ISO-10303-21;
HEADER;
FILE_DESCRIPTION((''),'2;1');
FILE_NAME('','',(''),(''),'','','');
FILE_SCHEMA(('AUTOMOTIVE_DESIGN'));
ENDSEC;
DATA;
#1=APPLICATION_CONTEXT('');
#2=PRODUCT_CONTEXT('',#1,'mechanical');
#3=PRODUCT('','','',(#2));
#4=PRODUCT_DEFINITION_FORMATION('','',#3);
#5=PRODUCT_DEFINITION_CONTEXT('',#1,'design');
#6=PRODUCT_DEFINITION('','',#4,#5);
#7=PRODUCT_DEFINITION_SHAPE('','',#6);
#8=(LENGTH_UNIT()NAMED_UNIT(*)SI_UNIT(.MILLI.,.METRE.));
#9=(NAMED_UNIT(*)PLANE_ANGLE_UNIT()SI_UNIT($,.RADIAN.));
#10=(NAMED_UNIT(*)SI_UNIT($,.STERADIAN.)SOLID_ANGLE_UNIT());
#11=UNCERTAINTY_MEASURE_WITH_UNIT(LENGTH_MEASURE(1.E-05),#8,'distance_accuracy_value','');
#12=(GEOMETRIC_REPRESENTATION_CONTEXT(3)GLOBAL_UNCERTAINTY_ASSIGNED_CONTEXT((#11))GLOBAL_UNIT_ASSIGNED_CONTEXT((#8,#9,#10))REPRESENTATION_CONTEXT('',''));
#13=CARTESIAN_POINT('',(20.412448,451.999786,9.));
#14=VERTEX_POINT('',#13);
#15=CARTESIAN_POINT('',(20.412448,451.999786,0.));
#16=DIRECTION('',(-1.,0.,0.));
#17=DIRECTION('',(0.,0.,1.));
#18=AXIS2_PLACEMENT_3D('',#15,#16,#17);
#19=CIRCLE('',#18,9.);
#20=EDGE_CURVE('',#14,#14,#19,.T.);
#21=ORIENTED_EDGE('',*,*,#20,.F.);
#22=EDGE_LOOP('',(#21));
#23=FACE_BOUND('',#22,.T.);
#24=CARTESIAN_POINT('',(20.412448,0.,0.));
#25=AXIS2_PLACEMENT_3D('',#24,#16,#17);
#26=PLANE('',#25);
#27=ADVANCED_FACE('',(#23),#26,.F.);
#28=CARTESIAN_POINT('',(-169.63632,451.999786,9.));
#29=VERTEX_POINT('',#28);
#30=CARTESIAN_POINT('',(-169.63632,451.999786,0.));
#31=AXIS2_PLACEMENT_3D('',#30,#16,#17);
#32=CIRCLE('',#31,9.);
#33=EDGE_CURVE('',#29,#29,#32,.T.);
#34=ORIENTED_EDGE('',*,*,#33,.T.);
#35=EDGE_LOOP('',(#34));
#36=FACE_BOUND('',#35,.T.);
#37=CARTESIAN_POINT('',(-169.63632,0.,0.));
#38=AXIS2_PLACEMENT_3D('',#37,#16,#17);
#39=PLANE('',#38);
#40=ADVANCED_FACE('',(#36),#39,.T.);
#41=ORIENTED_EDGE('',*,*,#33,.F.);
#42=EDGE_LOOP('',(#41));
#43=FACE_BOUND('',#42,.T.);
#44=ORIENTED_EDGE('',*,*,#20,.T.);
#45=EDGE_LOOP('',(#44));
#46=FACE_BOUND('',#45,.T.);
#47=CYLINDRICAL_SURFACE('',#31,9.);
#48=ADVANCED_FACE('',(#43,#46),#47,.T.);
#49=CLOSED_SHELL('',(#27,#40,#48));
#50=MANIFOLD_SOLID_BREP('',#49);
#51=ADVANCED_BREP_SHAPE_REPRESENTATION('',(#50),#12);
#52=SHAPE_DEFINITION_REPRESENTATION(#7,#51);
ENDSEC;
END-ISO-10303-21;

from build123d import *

# Parameters (mm, degrees)
IZIM1_W = 190.04876731
IZIM1_H = 9


with BuildPart() as part:
    # Çizim1 → Döndür1 (revolve)
    with BuildSketch(Plane.XY):
        with Locations((-74.611935993, 456.499785752)):
            Rectangle(IZIM1_W, IZIM1_H)
    revolve(axis=Axis((-169.636319648, 451.999785752, 0), (1, 0, 0)))


solid = part.part
